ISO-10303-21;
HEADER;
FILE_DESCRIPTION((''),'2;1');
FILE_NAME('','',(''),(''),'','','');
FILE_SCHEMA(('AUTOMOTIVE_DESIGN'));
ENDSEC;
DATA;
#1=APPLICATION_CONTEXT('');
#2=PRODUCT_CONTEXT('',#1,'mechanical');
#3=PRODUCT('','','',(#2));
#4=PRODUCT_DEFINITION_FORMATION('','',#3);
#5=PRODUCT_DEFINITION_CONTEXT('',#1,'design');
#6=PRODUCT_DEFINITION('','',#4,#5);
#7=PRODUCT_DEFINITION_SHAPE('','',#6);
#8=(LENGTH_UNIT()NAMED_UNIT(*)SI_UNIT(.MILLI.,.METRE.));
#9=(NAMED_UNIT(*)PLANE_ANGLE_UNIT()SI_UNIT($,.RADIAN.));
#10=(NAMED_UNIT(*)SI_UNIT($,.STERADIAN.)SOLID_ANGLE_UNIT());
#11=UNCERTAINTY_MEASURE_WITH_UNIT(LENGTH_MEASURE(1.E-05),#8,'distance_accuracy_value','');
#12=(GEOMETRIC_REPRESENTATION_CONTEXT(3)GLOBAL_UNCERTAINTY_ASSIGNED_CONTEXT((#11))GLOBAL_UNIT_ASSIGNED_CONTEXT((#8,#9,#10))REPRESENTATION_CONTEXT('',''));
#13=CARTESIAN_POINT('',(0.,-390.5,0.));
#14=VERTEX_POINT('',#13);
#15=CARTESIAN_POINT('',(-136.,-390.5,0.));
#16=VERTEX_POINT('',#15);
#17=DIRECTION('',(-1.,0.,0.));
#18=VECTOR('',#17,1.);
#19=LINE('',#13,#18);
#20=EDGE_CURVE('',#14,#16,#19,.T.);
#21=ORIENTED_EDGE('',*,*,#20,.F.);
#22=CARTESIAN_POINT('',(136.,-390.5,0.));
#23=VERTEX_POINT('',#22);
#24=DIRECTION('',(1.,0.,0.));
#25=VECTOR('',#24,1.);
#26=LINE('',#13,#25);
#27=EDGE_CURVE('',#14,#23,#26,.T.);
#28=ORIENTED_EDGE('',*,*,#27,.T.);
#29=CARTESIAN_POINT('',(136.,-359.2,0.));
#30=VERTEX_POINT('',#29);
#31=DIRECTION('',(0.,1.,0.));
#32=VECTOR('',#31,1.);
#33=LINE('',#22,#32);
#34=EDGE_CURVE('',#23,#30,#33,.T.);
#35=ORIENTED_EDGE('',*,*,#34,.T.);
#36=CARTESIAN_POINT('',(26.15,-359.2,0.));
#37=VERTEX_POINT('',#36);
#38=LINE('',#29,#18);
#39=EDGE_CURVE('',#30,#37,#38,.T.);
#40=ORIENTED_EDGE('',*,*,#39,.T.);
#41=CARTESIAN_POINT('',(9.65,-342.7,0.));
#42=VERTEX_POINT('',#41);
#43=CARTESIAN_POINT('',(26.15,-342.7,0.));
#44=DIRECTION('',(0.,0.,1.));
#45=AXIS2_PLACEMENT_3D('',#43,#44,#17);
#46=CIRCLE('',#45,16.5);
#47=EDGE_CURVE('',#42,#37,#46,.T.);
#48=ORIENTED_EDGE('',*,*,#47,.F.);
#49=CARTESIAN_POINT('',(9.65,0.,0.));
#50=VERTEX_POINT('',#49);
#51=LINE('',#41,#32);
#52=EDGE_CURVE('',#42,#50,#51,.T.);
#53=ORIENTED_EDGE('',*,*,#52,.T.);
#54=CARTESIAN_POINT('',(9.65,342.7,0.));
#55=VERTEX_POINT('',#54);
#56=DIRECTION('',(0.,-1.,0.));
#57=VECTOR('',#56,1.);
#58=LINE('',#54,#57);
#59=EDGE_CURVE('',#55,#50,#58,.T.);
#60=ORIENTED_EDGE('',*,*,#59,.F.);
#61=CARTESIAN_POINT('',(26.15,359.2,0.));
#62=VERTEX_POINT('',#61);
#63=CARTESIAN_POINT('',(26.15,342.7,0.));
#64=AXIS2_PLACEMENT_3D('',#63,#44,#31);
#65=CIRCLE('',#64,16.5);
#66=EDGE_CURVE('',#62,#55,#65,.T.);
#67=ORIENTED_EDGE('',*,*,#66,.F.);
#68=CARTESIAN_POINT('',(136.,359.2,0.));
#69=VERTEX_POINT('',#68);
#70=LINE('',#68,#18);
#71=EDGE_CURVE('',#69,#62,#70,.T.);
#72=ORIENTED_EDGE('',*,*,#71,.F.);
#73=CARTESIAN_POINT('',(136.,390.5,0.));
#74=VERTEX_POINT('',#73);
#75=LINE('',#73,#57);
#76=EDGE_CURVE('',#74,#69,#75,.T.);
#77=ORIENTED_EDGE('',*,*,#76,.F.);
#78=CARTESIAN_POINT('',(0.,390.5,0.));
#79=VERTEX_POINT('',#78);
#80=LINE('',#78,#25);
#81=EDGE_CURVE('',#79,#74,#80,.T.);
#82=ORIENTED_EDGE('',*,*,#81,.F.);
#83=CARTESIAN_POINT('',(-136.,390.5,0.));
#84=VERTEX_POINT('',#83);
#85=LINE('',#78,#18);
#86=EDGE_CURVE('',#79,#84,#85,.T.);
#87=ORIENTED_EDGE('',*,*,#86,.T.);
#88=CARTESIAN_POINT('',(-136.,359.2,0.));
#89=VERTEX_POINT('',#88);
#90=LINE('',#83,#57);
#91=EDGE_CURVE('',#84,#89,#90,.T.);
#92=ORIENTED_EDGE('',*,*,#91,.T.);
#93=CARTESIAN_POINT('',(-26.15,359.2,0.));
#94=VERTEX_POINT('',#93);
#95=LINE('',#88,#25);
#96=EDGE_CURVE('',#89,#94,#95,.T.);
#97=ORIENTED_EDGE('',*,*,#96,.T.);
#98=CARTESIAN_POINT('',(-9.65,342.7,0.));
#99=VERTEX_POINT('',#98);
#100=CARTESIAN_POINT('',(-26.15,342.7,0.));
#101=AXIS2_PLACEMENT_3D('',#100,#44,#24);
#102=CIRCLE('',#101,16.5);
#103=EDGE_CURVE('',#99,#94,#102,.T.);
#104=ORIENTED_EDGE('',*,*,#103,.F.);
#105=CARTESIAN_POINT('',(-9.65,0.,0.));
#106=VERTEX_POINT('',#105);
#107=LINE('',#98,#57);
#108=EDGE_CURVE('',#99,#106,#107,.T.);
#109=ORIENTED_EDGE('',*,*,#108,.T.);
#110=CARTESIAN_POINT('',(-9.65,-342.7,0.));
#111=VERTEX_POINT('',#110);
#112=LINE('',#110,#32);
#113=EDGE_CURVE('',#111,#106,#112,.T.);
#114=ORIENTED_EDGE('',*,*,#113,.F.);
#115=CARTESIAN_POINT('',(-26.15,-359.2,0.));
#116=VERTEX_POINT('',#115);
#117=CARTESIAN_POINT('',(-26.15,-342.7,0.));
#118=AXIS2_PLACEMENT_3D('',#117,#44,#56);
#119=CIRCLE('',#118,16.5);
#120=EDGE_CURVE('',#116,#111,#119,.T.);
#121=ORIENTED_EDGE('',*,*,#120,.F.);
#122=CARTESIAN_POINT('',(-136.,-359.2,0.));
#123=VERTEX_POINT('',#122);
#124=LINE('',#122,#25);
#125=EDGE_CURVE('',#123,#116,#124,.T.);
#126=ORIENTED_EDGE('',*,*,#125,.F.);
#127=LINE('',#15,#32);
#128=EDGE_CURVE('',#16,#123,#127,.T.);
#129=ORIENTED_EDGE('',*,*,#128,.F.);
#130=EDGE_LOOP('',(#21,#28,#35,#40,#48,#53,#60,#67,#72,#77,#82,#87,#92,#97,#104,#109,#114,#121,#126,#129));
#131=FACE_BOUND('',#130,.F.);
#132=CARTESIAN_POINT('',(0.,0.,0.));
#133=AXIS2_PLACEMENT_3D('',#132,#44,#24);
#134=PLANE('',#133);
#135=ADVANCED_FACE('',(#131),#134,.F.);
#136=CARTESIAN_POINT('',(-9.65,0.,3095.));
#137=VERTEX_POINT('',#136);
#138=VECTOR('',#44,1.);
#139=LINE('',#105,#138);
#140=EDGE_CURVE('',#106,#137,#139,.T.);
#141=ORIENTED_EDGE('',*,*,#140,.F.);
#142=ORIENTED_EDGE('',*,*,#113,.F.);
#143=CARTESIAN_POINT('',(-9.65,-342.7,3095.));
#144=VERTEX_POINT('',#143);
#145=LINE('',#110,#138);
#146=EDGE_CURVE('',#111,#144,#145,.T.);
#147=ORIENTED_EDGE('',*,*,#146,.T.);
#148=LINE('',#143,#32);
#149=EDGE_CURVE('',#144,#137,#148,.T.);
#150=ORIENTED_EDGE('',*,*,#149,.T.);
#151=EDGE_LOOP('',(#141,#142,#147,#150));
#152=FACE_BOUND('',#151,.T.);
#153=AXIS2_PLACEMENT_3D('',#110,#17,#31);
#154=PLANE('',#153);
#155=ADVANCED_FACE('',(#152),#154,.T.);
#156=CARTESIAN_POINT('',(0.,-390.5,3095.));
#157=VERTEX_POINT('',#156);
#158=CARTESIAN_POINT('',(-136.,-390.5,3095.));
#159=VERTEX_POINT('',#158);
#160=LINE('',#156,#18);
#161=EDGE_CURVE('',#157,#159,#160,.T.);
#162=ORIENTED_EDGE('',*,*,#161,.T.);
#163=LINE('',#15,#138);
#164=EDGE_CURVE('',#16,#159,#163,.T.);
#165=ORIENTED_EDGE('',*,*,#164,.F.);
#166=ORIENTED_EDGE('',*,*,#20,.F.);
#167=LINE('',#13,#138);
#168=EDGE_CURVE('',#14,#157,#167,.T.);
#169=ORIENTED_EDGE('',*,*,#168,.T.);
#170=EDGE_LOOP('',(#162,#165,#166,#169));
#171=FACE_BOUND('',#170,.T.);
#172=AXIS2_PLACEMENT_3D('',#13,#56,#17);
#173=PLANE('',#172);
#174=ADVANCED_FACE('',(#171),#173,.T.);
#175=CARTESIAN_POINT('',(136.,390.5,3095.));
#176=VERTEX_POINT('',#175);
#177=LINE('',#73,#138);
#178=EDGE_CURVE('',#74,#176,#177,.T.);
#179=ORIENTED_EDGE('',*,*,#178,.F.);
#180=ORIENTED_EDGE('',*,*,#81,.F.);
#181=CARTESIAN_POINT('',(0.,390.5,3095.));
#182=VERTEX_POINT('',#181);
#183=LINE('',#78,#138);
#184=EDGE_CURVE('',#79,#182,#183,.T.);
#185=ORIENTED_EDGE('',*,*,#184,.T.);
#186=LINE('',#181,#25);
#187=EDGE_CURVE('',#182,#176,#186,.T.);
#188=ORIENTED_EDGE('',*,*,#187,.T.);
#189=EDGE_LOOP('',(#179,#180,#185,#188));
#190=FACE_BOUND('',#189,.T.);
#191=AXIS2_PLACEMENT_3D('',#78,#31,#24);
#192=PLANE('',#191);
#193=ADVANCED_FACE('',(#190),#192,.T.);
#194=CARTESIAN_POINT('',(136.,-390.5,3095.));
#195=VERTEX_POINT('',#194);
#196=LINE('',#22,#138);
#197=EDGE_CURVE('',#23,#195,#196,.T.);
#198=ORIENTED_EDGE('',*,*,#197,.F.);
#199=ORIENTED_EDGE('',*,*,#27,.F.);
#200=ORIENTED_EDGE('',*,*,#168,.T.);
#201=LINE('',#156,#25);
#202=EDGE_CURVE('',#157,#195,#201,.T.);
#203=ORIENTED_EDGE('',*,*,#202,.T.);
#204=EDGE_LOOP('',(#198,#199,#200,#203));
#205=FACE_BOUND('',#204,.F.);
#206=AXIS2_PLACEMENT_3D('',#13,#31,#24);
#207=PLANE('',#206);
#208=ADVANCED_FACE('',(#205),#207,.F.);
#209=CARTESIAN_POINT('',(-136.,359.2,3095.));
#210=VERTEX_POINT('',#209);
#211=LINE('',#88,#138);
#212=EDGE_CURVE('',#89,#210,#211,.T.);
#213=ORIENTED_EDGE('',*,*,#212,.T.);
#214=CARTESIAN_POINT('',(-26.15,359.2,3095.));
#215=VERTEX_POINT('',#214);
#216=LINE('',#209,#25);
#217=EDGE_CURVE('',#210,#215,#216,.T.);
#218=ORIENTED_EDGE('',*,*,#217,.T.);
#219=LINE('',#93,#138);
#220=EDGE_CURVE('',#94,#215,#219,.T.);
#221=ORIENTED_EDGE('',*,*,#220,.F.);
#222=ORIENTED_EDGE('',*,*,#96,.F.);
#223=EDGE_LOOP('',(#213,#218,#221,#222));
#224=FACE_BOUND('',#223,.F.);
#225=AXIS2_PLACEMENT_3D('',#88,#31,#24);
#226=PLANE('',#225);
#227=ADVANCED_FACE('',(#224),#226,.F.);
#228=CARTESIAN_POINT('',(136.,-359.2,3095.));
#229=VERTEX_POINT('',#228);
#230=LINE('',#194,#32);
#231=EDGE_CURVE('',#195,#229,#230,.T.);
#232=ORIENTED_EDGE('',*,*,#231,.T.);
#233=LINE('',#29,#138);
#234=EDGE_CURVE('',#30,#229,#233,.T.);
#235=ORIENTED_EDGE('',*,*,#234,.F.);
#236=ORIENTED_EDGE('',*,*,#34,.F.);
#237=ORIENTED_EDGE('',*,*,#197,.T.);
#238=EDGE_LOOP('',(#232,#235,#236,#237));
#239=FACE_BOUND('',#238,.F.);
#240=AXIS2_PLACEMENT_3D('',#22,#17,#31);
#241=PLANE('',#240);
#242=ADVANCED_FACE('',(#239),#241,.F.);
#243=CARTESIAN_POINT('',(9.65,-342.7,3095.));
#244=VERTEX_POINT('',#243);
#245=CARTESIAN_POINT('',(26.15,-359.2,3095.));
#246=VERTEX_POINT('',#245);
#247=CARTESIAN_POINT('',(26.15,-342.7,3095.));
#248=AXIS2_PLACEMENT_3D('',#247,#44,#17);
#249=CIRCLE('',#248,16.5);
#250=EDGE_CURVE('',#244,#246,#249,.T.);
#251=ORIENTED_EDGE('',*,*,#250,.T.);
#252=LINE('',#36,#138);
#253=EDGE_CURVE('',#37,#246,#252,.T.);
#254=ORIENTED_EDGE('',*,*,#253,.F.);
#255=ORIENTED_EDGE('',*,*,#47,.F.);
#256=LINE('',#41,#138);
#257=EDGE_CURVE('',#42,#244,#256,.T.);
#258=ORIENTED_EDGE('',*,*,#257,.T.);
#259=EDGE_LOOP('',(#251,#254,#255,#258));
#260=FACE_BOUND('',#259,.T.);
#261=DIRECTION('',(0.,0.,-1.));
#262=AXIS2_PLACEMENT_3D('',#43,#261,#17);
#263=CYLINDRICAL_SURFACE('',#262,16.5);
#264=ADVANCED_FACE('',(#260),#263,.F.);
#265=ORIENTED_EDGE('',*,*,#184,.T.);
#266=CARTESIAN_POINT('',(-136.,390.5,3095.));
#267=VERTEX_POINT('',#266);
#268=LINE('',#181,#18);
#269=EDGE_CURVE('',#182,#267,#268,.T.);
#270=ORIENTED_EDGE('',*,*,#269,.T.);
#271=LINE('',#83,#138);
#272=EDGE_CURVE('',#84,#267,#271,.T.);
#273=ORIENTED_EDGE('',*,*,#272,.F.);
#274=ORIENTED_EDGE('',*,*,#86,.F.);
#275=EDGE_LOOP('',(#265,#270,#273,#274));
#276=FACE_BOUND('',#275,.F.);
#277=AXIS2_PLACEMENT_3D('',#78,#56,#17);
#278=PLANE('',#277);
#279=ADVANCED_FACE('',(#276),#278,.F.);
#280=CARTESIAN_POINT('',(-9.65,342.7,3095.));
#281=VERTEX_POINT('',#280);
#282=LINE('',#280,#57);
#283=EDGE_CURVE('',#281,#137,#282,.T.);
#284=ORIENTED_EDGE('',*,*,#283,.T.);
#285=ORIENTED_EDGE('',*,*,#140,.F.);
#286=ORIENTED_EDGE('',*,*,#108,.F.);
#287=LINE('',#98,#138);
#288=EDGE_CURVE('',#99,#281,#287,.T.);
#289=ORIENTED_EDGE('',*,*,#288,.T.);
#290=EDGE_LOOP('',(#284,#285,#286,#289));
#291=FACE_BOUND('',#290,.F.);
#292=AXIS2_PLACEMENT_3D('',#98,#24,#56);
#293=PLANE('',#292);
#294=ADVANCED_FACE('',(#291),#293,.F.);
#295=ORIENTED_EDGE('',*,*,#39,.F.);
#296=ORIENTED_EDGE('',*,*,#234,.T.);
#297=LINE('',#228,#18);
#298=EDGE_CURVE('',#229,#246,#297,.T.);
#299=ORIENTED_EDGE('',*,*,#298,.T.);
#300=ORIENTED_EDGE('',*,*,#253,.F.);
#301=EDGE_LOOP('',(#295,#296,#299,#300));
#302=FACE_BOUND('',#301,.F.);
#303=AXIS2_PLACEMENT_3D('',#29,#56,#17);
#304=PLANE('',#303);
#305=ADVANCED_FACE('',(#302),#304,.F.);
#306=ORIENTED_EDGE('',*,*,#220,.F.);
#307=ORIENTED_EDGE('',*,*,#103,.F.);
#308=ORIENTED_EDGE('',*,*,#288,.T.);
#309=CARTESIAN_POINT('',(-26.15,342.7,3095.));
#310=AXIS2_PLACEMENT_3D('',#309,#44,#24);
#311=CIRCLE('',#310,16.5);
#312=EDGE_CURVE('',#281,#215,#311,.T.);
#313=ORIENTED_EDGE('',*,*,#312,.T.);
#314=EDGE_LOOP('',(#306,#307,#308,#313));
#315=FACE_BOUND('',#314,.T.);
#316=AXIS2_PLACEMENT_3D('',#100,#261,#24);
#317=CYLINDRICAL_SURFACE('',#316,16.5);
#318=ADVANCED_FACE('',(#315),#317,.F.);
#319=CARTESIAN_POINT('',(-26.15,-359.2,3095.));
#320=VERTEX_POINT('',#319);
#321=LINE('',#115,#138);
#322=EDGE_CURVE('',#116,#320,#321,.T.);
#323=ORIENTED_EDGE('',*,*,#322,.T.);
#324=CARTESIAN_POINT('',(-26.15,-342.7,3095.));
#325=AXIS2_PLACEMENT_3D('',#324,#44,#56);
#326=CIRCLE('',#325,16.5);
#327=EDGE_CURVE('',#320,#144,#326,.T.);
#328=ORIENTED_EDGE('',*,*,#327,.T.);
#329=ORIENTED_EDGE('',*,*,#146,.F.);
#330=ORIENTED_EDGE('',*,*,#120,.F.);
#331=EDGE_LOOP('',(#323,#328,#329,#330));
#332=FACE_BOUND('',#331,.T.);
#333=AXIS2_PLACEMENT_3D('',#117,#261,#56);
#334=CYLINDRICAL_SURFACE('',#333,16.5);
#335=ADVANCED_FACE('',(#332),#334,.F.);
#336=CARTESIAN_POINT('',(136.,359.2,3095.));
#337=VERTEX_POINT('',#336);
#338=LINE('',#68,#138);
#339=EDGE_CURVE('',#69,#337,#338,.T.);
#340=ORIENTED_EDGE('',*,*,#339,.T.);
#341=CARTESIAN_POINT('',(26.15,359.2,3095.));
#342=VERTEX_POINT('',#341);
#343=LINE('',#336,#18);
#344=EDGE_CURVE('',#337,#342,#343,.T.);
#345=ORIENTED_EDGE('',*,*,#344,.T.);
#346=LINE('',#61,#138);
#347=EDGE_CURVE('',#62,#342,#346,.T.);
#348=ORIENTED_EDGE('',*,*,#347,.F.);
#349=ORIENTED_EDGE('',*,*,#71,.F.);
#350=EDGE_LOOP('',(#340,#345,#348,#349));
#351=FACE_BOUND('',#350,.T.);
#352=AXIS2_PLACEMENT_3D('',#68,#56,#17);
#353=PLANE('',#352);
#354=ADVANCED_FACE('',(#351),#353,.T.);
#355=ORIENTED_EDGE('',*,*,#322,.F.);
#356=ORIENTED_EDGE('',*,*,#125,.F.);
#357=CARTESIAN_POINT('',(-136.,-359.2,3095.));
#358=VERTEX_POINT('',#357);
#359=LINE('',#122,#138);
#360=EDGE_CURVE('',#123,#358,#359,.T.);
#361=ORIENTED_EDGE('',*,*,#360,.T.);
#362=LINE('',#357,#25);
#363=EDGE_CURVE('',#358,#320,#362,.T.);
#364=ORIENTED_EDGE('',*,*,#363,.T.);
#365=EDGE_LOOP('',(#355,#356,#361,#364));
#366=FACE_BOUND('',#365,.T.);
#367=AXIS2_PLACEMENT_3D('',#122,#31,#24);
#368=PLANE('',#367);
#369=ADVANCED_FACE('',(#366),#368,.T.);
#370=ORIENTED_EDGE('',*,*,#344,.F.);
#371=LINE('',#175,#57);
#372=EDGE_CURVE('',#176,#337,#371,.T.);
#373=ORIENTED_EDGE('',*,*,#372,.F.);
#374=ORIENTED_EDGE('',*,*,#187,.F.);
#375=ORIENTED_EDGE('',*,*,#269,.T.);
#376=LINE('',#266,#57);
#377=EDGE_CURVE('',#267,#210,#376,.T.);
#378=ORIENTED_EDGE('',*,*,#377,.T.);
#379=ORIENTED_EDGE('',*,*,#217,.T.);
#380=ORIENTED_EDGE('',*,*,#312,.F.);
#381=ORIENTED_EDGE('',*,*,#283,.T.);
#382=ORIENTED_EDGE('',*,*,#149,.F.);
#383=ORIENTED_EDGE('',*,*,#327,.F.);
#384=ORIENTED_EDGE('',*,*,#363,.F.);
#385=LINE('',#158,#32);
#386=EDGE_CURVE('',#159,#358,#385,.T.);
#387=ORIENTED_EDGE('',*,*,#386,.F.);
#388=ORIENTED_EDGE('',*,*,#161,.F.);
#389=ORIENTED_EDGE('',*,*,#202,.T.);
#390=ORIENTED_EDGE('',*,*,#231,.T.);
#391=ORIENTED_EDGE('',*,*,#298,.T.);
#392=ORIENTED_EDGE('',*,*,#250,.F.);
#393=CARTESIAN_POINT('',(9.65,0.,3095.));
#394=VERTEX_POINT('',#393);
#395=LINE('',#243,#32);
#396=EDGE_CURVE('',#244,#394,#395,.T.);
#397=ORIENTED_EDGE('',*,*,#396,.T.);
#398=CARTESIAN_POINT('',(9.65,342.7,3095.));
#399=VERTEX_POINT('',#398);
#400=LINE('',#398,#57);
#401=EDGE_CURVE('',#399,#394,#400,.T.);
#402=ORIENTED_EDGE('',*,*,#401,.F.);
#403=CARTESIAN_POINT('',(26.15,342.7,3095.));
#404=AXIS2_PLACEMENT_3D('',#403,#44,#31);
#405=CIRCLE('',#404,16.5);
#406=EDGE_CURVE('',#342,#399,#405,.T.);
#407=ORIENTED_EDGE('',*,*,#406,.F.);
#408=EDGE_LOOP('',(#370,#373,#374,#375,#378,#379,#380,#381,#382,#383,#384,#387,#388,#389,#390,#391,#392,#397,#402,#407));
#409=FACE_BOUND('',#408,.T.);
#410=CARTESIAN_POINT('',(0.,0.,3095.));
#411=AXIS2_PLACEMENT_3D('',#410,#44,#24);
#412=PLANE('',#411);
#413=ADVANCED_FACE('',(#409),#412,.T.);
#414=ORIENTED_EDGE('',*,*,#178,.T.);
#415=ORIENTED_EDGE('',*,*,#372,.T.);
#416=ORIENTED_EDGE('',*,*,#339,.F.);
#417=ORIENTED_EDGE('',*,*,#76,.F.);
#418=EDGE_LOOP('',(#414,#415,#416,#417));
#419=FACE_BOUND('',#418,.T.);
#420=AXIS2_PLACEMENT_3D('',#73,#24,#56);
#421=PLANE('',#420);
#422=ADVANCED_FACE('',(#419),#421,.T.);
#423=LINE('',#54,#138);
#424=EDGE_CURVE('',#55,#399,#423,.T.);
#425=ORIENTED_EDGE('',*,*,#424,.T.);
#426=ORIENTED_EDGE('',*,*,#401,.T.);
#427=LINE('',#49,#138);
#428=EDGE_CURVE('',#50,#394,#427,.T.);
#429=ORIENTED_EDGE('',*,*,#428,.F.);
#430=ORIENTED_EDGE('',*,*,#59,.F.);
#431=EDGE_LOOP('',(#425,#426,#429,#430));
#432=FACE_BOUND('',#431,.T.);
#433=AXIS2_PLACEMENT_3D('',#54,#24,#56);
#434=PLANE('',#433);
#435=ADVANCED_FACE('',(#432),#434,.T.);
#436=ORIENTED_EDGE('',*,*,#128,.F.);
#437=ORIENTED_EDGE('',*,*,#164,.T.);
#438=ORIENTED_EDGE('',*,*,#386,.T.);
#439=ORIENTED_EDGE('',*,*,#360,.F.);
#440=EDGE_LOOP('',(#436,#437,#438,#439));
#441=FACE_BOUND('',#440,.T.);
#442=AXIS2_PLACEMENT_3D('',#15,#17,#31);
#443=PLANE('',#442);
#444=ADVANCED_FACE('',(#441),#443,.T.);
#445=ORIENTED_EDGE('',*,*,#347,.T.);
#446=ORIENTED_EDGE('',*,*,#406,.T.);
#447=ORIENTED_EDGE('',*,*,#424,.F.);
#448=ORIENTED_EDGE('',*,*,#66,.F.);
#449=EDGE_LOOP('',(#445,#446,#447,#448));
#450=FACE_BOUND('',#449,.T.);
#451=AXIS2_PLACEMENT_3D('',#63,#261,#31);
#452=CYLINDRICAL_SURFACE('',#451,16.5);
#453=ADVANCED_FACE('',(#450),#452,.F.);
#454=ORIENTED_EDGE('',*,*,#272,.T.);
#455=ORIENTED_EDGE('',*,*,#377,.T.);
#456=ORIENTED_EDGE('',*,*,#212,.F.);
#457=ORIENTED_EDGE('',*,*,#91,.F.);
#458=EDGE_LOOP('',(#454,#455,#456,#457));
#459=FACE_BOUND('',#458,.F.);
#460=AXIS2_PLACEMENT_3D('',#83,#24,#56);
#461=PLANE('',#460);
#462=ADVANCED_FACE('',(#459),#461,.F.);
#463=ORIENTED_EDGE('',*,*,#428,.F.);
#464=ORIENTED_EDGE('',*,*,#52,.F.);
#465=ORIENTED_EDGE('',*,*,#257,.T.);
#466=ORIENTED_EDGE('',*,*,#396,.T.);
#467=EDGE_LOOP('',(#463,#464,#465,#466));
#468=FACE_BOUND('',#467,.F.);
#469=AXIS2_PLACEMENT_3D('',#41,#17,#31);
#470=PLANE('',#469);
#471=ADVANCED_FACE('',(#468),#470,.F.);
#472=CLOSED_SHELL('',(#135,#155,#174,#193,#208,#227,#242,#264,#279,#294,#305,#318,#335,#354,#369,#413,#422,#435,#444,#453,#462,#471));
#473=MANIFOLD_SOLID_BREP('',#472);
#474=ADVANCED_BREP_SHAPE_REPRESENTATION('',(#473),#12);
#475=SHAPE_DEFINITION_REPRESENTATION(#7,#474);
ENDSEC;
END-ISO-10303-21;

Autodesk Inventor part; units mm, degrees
ref_plane "YZ Plane" through (0, 0, 0) normal (1, 0, 0) x (0, 1, 0)
ref_plane "Start plane" through (0, 0, 0) normal (0, 0, 1) x (1, 0, 0)
ref_plane "End plane" through (0, 0, 3095) normal (0, 0, 1) x (1, 0, 0)
sketch "Sketch" plane through (0, 0, 0) normal (0, 0, 1) x (1, 0, 0)
  line L0 (-136, -390.5) -> (-136, -359.2)
  line L1 (-136, -359.2) -> (-26.15, -359.2)
  line L2 (-9.65, -342.7) -> (-9.65, 0)
  line L3 (-9.65, 0) -> (0, 0) construction
  line L4 (0, 0) -> (0, -390.5) construction
  line L5 (0, -390.5) -> (-136, -390.5)
  line L6 (-60, 0) -> (80, 0) construction
  line L7 (0, -60) -> (0, 80) construction
  line L8 (136, -390.5) -> (136, -359.2)
  line L9 (136, -359.2) -> (26.15, -359.2)
  line L10 (9.65, -342.7) -> (9.65, 0)
  line L11 (9.65, 0) -> (0, 0) construction
  line L12 (0, -390.5) -> (136, -390.5)
  line L13 (-136, 390.5) -> (-136, 359.2)
  line L14 (-136, 359.2) -> (-26.15, 359.2)
  line L15 (-9.65, 342.7) -> (-9.65, 0)
  line L16 (0, 390.5) -> (-136, 390.5)
  line L17 (136, 390.5) -> (136, 359.2)
  line L18 (136, 359.2) -> (26.15, 359.2)
  line L19 (0, 390.5) -> (136, 390.5)
  line L20 (9.65, 342.7) -> (9.65, 0)
  arc A0 (-9.65, 342.7) -> (-26.15, 359.2) centre (-26.15, 342.7) ccw
  arc A1 (26.15, 359.2) -> (9.65, 342.7) centre (26.15, 342.7) ccw
  arc A2 (9.65, -342.7) -> (26.15, -359.2) centre (26.15, -342.7) ccw
  arc A3 (-26.15, -359.2) -> (-9.65, -342.7) centre (-26.15, -342.7) ccw
  line L21 (0, 108) -> (0, -88) construction
  line L22 (-88, 0) -> (108, 0) construction
  point P0 (-9.65, -359.2)
  point P1 (9.65, -359.2)
  point P2 (-9.65, 359.2)
  point P3 (9.65, 359.2)
  dimension "d1" = 390.5
  dimension "d2" = 31.3
  dimension "d3" = 136
  dimension "d4" = 9.65
  dimension "d10" = 16.5
extrude "Body" add sketch "Sketch" along normal up to surface (3095 mm away) from surface at 0
sketch "Sketch4" plane through (0, 0, 0) normal (0, 0, 1) x (1, 0, 0)
  line L0 (0, 0) -> (10, 0)
ref_plane "Work Plane3" through (0, 0, 0) normal (0, -1, 0) x (1, 0, 0)
sketch "Sketch5" plane through (0, 0, 0) normal (0, -1, 0) x (1, 0, 0)
  line L0 (-2, 0) -> (12, 0) projected
  line L1 (-2, 3095) -> (12, 3095) projected
  dimension "d14" = 3095
equation "\"d1\" = 0.5 * G_H"
equation "\"d2\" = G_T1"
equation "\"d3\" = 0.5 * G_W"
equation "\"d4\" = 0.5 * G_T"
equation "\"d10\" = G_IR"
equation "\"d5\" = G_L"
equation "\"G_W\" = 272"
equation "\"G_H\" = 781"
equation "\"G_T\" = 19.3"
equation "\"G_T1\" = 31.3"
equation "\"G_IR\" = 16.5"
equation "\"G_L\" = d14"
equation "\"G_OFFSET_START\" = 0"
equation "\"G_OFFSET_END\" = 0"
equation "\"d12\" = G_OFFSET_END + B_L"
equation "\"B_L\" = 3095"
properties part number "AS 3679-1990 - 760 UB - 244 - 3095" material "Steel, Mild"
